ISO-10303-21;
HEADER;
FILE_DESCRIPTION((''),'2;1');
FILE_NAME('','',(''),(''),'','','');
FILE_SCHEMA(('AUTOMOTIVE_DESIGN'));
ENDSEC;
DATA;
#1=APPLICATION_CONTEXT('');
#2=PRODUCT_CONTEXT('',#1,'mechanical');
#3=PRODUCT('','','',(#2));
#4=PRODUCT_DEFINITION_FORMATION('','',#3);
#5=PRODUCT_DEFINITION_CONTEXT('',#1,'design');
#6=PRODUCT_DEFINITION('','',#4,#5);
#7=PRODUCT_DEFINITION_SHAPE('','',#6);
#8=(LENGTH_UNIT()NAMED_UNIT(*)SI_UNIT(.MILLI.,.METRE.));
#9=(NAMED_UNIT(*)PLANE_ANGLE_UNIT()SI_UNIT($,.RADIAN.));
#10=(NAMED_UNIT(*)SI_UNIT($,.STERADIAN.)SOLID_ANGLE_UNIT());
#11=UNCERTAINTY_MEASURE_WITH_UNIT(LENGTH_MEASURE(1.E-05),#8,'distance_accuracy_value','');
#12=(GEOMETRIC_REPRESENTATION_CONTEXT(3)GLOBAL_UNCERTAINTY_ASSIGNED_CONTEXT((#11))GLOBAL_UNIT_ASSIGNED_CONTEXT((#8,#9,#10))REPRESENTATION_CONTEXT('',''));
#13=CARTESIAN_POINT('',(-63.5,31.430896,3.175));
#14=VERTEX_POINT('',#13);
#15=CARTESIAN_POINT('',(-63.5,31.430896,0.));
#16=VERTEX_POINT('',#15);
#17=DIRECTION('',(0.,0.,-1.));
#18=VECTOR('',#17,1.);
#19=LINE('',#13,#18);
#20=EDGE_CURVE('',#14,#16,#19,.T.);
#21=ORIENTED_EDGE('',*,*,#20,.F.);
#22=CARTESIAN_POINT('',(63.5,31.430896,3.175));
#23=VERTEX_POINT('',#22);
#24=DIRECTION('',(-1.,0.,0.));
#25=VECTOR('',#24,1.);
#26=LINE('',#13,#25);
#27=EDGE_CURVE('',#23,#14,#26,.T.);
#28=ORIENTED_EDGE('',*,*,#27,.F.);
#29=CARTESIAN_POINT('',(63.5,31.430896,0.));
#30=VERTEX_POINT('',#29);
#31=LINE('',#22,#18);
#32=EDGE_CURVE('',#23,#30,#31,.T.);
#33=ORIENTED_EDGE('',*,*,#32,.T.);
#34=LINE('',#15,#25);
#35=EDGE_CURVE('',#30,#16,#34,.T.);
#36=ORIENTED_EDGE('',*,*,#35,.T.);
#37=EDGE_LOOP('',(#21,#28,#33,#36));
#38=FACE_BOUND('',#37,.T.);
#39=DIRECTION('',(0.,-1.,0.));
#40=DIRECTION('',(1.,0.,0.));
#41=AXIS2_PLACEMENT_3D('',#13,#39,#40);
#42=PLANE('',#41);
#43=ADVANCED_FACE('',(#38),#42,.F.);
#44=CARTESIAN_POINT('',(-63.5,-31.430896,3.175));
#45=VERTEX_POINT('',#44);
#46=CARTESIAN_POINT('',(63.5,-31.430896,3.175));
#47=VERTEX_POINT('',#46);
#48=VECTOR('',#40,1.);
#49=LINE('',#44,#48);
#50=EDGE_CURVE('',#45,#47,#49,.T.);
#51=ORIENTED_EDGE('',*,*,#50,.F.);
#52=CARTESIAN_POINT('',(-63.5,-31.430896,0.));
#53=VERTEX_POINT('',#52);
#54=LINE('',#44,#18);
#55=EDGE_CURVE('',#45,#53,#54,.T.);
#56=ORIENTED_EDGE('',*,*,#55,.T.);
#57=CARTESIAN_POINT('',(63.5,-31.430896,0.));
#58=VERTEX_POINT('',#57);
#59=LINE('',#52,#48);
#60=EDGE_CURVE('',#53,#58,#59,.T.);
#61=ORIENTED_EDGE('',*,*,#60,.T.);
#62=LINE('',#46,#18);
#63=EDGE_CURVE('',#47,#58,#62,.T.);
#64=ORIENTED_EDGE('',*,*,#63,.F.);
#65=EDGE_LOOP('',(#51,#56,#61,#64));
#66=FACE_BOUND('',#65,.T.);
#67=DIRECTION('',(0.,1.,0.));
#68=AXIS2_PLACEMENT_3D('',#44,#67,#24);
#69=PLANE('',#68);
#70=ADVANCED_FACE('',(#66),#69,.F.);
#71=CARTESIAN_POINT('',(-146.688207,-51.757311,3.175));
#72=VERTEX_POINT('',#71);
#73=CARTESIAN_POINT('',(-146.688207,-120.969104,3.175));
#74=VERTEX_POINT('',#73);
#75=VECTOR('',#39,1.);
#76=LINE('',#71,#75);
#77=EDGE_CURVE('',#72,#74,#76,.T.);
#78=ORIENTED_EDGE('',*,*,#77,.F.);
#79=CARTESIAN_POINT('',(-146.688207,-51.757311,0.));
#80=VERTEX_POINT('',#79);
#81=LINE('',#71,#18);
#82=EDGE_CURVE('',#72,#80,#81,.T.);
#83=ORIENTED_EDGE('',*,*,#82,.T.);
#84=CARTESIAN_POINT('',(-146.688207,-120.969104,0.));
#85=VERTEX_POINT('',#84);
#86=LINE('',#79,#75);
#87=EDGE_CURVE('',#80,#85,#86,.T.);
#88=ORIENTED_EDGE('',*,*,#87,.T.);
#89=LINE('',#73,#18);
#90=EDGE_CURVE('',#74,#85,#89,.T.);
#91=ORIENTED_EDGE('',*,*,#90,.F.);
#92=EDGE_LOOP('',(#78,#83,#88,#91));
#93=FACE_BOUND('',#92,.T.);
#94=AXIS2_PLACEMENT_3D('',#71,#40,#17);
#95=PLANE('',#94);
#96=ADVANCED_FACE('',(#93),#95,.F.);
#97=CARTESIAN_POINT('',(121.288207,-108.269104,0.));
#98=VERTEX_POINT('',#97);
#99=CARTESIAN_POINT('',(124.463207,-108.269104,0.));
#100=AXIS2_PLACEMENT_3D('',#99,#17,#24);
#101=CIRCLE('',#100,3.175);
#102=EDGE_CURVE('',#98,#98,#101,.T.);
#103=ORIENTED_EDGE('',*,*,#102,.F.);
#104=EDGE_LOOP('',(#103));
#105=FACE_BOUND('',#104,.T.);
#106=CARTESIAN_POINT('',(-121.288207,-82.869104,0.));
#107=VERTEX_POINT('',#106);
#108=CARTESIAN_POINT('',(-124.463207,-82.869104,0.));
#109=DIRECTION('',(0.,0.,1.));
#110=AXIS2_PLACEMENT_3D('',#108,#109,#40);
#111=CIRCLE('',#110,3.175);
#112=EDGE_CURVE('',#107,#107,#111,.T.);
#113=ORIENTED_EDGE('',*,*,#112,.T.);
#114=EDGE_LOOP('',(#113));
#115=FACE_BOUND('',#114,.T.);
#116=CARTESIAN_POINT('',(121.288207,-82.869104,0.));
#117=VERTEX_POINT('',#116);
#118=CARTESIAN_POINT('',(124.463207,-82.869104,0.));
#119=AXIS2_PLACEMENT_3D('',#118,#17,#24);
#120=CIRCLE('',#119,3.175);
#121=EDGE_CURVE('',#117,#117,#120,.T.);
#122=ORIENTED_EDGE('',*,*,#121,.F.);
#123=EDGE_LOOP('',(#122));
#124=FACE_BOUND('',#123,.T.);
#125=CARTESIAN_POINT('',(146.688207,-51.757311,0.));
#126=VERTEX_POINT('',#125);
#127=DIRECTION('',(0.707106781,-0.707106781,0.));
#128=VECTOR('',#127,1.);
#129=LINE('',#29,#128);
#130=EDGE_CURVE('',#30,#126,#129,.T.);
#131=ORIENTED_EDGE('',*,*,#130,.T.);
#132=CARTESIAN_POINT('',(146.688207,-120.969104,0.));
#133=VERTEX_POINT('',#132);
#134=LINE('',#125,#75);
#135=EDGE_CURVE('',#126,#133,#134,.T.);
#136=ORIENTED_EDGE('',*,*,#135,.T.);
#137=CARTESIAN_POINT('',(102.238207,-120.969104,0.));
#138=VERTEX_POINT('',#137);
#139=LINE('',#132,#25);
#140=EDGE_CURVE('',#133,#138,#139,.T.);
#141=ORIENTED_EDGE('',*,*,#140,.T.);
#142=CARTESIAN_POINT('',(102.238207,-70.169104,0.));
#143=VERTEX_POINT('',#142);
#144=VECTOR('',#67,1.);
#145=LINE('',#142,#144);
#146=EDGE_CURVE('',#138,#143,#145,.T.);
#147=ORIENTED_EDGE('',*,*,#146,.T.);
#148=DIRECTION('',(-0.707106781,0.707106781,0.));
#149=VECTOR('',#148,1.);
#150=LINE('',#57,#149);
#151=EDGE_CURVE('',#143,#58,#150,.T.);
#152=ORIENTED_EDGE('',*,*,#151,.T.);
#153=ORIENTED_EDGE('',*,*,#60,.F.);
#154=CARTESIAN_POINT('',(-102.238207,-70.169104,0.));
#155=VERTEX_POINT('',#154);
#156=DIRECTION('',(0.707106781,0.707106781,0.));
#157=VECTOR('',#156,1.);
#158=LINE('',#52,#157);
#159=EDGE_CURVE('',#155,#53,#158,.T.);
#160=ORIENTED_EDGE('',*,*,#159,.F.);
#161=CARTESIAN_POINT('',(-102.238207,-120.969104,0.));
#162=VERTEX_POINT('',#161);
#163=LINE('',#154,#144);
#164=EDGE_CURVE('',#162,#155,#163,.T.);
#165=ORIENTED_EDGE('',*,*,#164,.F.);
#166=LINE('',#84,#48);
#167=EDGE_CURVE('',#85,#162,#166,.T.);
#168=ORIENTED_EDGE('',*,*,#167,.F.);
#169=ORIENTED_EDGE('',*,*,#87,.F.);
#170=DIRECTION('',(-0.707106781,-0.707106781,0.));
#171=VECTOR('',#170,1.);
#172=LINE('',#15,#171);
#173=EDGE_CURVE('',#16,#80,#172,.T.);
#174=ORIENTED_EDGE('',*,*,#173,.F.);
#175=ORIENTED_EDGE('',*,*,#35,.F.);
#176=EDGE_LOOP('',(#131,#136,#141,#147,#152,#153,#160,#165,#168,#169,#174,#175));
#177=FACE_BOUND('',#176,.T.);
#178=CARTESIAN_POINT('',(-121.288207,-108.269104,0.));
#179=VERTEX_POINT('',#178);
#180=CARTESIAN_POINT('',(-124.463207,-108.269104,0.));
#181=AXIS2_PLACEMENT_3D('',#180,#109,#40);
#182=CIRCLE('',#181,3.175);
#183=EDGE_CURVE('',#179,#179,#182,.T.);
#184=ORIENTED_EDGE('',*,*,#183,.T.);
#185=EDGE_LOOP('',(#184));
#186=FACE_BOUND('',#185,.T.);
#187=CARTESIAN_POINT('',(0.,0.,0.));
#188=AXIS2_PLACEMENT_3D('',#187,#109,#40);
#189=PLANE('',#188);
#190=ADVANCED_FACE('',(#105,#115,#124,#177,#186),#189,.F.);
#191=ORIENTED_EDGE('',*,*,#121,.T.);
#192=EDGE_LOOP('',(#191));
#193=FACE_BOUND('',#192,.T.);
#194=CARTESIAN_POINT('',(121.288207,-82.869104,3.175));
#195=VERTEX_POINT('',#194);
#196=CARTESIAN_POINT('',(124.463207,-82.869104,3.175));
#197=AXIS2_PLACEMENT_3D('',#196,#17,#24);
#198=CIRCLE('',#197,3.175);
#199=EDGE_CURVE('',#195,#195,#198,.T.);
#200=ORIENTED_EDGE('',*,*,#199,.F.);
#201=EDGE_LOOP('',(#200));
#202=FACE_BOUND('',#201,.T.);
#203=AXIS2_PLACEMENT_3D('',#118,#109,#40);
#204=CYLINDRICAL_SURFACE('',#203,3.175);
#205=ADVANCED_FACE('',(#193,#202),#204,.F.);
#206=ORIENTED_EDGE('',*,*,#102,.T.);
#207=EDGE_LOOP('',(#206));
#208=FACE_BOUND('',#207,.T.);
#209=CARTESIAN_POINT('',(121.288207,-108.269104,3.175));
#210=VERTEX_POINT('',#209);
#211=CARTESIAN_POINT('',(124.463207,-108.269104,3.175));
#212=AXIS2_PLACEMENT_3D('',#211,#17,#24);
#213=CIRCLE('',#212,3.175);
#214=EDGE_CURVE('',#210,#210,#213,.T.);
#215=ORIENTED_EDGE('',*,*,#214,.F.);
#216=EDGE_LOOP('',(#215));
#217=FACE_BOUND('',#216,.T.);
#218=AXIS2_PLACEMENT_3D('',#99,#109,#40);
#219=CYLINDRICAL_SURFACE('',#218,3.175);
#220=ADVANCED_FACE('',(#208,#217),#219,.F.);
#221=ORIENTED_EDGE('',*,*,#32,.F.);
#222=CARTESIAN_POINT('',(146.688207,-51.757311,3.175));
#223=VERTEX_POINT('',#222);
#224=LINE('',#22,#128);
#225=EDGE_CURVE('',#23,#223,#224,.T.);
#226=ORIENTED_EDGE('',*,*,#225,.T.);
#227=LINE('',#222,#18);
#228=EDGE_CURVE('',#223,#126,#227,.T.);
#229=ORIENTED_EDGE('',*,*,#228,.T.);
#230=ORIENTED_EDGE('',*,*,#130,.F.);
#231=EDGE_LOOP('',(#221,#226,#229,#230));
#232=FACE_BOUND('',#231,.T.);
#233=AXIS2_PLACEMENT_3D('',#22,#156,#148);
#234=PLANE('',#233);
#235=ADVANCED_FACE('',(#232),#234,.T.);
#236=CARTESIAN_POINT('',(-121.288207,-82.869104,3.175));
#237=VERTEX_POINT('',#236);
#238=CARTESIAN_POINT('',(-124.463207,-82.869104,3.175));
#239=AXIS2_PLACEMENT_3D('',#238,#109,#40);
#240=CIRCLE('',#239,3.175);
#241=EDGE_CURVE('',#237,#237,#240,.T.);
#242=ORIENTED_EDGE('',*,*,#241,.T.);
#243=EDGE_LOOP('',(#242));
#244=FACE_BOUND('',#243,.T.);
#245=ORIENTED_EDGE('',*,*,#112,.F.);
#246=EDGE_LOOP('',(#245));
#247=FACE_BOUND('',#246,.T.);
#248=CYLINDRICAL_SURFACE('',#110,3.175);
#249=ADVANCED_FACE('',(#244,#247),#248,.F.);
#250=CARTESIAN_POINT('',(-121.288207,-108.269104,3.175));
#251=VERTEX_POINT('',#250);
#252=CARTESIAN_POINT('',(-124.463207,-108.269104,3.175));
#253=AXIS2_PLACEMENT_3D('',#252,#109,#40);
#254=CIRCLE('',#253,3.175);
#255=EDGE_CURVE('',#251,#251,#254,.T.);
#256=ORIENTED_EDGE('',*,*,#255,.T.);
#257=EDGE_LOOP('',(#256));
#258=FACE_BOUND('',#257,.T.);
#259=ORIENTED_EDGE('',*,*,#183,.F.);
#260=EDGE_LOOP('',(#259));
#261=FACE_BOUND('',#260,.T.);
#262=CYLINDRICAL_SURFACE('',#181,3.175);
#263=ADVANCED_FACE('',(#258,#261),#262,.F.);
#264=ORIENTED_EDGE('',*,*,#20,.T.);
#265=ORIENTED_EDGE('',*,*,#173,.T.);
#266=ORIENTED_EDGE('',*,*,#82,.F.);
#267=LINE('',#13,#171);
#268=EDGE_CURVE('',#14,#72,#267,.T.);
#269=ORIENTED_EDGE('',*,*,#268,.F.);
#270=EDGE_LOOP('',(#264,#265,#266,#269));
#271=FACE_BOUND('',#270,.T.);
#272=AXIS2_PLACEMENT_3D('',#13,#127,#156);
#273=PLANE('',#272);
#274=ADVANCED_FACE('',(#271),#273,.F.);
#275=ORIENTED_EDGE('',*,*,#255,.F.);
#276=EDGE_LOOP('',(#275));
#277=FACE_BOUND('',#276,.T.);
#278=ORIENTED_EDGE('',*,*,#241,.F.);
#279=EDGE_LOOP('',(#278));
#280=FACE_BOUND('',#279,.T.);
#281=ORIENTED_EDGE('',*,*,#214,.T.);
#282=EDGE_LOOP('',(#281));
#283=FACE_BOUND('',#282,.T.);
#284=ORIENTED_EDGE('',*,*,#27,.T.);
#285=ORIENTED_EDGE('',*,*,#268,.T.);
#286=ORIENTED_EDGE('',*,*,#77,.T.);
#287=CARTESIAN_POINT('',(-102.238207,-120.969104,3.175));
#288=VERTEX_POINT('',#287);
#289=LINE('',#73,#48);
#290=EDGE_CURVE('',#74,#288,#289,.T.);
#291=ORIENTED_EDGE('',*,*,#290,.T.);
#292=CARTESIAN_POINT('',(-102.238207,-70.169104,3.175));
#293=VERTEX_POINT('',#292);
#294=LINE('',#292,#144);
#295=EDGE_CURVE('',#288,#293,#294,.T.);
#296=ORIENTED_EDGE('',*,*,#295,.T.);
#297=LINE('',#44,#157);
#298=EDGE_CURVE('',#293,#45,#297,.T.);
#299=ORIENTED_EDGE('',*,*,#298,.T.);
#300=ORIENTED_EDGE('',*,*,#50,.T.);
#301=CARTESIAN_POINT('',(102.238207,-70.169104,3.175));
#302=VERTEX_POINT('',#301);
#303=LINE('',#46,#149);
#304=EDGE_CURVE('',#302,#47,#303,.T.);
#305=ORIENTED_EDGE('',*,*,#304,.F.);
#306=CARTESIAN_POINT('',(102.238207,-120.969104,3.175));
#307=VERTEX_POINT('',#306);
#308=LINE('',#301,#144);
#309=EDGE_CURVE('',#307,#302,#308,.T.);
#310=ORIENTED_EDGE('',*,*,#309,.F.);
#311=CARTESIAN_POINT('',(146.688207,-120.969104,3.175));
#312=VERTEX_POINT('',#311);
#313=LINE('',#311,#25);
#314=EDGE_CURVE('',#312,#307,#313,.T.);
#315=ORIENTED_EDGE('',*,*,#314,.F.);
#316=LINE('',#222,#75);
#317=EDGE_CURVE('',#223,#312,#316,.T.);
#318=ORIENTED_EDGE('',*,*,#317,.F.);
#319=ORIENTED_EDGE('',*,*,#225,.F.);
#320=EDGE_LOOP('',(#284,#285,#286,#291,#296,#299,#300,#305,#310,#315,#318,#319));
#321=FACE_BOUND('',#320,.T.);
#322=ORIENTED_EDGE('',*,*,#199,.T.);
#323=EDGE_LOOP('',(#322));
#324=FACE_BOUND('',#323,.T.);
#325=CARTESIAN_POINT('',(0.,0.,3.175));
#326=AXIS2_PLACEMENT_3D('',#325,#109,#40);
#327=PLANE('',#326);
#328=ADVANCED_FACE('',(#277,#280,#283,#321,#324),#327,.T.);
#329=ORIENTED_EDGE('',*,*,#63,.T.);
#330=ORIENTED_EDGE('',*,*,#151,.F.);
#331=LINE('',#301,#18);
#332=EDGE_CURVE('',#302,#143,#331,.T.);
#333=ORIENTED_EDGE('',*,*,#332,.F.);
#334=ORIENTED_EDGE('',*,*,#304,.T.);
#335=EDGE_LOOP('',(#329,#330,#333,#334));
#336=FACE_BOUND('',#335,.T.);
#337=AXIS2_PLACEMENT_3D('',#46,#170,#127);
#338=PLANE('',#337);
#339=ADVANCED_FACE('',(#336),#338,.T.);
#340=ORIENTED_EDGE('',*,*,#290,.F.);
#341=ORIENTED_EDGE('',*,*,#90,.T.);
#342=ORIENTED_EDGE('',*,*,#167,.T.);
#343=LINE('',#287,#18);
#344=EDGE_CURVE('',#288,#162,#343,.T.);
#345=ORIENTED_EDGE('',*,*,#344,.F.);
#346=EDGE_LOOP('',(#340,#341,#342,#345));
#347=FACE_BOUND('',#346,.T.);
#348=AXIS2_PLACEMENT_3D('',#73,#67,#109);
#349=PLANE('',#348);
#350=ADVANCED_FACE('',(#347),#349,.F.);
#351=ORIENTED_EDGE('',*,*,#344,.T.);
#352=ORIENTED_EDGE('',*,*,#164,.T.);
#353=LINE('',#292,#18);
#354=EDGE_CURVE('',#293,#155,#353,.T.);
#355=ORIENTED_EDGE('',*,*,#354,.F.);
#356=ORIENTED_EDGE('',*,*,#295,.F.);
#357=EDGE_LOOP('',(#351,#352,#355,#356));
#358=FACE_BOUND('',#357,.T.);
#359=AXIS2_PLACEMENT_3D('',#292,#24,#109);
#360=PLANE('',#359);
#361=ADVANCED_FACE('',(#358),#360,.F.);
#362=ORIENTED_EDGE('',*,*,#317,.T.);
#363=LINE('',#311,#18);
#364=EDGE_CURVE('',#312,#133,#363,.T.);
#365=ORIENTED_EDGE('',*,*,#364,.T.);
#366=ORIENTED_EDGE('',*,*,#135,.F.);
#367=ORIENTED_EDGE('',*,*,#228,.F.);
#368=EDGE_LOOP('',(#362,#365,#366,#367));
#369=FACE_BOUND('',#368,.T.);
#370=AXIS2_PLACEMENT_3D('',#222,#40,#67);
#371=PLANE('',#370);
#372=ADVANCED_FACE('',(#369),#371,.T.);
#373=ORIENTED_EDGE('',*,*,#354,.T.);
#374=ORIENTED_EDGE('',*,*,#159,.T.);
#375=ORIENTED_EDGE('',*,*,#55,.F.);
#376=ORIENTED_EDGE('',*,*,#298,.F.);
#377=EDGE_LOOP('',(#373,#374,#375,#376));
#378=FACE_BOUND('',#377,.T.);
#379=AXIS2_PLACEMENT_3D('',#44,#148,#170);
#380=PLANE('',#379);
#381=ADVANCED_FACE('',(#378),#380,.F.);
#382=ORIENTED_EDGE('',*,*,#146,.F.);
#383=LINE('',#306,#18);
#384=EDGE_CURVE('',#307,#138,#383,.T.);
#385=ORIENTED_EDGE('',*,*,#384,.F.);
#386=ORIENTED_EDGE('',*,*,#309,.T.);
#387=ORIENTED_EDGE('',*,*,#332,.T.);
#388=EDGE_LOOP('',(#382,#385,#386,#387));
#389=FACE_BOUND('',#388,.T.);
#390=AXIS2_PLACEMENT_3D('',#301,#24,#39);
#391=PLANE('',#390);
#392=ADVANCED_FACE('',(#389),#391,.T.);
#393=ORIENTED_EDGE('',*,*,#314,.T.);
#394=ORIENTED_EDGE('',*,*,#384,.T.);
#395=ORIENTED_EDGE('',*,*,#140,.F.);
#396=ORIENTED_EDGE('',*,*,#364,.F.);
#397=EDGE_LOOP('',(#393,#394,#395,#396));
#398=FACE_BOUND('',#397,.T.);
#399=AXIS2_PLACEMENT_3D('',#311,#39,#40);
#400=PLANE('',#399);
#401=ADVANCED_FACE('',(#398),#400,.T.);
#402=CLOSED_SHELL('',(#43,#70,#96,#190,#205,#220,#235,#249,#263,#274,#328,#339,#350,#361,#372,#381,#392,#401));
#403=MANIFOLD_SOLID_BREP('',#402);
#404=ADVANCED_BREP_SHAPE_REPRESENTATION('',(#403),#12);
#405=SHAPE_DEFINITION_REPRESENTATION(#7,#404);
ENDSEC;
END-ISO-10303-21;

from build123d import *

# Parameters (mm, degrees)
BOSS_EXTRUDE1_DEPTH = 3.175
SKETCH4_R           = 3.175
CUT_EXTRUDE2_DEPTH  = 3.175


with BuildPart() as part:
    # Sketch1 → Boss-Extrude1 (new body)
    with BuildSketch(Plane.XY):
        Polygon((-63.5, 31.430896424), (-146.688207153, -51.757310729), (-146.688207153, -120.969103576), (-102.238207153, -120.969103576), (-102.238207153, -70.169103576), (-63.5, -31.430896424), (0, -31.430896424), (0, 31.430896424), align=None)
    boss_extrude1 = extrude(amount=BOSS_EXTRUDE1_DEPTH)

    # Sketch4 → Cut-Extrude2 (cut)
    with BuildSketch(Plane.XY.offset(3.175)):
        with Locations((-124.463207153, -108.269103576)):
            Circle(SKETCH4_R)
        with Locations((-124.463207153, -82.869103576)):
            Circle(SKETCH4_R)
    cut_extrude2 = extrude(amount=-CUT_EXTRUDE2_DEPTH, mode=Mode.SUBTRACT)

    # Mirror4: Boss-Extrude1, Cut-Extrude2 across plane
    add(boss_extrude1.mirror(Plane(origin=(0, 31.430896424, 3.175), x_dir=(0, 0, 1), z_dir=(-1, 0, 0))))
    add(cut_extrude2.mirror(Plane(origin=(0, 31.430896424, 3.175), x_dir=(0, 0, 1), z_dir=(-1, 0, 0))), mode=Mode.SUBTRACT)


solid = part.part
